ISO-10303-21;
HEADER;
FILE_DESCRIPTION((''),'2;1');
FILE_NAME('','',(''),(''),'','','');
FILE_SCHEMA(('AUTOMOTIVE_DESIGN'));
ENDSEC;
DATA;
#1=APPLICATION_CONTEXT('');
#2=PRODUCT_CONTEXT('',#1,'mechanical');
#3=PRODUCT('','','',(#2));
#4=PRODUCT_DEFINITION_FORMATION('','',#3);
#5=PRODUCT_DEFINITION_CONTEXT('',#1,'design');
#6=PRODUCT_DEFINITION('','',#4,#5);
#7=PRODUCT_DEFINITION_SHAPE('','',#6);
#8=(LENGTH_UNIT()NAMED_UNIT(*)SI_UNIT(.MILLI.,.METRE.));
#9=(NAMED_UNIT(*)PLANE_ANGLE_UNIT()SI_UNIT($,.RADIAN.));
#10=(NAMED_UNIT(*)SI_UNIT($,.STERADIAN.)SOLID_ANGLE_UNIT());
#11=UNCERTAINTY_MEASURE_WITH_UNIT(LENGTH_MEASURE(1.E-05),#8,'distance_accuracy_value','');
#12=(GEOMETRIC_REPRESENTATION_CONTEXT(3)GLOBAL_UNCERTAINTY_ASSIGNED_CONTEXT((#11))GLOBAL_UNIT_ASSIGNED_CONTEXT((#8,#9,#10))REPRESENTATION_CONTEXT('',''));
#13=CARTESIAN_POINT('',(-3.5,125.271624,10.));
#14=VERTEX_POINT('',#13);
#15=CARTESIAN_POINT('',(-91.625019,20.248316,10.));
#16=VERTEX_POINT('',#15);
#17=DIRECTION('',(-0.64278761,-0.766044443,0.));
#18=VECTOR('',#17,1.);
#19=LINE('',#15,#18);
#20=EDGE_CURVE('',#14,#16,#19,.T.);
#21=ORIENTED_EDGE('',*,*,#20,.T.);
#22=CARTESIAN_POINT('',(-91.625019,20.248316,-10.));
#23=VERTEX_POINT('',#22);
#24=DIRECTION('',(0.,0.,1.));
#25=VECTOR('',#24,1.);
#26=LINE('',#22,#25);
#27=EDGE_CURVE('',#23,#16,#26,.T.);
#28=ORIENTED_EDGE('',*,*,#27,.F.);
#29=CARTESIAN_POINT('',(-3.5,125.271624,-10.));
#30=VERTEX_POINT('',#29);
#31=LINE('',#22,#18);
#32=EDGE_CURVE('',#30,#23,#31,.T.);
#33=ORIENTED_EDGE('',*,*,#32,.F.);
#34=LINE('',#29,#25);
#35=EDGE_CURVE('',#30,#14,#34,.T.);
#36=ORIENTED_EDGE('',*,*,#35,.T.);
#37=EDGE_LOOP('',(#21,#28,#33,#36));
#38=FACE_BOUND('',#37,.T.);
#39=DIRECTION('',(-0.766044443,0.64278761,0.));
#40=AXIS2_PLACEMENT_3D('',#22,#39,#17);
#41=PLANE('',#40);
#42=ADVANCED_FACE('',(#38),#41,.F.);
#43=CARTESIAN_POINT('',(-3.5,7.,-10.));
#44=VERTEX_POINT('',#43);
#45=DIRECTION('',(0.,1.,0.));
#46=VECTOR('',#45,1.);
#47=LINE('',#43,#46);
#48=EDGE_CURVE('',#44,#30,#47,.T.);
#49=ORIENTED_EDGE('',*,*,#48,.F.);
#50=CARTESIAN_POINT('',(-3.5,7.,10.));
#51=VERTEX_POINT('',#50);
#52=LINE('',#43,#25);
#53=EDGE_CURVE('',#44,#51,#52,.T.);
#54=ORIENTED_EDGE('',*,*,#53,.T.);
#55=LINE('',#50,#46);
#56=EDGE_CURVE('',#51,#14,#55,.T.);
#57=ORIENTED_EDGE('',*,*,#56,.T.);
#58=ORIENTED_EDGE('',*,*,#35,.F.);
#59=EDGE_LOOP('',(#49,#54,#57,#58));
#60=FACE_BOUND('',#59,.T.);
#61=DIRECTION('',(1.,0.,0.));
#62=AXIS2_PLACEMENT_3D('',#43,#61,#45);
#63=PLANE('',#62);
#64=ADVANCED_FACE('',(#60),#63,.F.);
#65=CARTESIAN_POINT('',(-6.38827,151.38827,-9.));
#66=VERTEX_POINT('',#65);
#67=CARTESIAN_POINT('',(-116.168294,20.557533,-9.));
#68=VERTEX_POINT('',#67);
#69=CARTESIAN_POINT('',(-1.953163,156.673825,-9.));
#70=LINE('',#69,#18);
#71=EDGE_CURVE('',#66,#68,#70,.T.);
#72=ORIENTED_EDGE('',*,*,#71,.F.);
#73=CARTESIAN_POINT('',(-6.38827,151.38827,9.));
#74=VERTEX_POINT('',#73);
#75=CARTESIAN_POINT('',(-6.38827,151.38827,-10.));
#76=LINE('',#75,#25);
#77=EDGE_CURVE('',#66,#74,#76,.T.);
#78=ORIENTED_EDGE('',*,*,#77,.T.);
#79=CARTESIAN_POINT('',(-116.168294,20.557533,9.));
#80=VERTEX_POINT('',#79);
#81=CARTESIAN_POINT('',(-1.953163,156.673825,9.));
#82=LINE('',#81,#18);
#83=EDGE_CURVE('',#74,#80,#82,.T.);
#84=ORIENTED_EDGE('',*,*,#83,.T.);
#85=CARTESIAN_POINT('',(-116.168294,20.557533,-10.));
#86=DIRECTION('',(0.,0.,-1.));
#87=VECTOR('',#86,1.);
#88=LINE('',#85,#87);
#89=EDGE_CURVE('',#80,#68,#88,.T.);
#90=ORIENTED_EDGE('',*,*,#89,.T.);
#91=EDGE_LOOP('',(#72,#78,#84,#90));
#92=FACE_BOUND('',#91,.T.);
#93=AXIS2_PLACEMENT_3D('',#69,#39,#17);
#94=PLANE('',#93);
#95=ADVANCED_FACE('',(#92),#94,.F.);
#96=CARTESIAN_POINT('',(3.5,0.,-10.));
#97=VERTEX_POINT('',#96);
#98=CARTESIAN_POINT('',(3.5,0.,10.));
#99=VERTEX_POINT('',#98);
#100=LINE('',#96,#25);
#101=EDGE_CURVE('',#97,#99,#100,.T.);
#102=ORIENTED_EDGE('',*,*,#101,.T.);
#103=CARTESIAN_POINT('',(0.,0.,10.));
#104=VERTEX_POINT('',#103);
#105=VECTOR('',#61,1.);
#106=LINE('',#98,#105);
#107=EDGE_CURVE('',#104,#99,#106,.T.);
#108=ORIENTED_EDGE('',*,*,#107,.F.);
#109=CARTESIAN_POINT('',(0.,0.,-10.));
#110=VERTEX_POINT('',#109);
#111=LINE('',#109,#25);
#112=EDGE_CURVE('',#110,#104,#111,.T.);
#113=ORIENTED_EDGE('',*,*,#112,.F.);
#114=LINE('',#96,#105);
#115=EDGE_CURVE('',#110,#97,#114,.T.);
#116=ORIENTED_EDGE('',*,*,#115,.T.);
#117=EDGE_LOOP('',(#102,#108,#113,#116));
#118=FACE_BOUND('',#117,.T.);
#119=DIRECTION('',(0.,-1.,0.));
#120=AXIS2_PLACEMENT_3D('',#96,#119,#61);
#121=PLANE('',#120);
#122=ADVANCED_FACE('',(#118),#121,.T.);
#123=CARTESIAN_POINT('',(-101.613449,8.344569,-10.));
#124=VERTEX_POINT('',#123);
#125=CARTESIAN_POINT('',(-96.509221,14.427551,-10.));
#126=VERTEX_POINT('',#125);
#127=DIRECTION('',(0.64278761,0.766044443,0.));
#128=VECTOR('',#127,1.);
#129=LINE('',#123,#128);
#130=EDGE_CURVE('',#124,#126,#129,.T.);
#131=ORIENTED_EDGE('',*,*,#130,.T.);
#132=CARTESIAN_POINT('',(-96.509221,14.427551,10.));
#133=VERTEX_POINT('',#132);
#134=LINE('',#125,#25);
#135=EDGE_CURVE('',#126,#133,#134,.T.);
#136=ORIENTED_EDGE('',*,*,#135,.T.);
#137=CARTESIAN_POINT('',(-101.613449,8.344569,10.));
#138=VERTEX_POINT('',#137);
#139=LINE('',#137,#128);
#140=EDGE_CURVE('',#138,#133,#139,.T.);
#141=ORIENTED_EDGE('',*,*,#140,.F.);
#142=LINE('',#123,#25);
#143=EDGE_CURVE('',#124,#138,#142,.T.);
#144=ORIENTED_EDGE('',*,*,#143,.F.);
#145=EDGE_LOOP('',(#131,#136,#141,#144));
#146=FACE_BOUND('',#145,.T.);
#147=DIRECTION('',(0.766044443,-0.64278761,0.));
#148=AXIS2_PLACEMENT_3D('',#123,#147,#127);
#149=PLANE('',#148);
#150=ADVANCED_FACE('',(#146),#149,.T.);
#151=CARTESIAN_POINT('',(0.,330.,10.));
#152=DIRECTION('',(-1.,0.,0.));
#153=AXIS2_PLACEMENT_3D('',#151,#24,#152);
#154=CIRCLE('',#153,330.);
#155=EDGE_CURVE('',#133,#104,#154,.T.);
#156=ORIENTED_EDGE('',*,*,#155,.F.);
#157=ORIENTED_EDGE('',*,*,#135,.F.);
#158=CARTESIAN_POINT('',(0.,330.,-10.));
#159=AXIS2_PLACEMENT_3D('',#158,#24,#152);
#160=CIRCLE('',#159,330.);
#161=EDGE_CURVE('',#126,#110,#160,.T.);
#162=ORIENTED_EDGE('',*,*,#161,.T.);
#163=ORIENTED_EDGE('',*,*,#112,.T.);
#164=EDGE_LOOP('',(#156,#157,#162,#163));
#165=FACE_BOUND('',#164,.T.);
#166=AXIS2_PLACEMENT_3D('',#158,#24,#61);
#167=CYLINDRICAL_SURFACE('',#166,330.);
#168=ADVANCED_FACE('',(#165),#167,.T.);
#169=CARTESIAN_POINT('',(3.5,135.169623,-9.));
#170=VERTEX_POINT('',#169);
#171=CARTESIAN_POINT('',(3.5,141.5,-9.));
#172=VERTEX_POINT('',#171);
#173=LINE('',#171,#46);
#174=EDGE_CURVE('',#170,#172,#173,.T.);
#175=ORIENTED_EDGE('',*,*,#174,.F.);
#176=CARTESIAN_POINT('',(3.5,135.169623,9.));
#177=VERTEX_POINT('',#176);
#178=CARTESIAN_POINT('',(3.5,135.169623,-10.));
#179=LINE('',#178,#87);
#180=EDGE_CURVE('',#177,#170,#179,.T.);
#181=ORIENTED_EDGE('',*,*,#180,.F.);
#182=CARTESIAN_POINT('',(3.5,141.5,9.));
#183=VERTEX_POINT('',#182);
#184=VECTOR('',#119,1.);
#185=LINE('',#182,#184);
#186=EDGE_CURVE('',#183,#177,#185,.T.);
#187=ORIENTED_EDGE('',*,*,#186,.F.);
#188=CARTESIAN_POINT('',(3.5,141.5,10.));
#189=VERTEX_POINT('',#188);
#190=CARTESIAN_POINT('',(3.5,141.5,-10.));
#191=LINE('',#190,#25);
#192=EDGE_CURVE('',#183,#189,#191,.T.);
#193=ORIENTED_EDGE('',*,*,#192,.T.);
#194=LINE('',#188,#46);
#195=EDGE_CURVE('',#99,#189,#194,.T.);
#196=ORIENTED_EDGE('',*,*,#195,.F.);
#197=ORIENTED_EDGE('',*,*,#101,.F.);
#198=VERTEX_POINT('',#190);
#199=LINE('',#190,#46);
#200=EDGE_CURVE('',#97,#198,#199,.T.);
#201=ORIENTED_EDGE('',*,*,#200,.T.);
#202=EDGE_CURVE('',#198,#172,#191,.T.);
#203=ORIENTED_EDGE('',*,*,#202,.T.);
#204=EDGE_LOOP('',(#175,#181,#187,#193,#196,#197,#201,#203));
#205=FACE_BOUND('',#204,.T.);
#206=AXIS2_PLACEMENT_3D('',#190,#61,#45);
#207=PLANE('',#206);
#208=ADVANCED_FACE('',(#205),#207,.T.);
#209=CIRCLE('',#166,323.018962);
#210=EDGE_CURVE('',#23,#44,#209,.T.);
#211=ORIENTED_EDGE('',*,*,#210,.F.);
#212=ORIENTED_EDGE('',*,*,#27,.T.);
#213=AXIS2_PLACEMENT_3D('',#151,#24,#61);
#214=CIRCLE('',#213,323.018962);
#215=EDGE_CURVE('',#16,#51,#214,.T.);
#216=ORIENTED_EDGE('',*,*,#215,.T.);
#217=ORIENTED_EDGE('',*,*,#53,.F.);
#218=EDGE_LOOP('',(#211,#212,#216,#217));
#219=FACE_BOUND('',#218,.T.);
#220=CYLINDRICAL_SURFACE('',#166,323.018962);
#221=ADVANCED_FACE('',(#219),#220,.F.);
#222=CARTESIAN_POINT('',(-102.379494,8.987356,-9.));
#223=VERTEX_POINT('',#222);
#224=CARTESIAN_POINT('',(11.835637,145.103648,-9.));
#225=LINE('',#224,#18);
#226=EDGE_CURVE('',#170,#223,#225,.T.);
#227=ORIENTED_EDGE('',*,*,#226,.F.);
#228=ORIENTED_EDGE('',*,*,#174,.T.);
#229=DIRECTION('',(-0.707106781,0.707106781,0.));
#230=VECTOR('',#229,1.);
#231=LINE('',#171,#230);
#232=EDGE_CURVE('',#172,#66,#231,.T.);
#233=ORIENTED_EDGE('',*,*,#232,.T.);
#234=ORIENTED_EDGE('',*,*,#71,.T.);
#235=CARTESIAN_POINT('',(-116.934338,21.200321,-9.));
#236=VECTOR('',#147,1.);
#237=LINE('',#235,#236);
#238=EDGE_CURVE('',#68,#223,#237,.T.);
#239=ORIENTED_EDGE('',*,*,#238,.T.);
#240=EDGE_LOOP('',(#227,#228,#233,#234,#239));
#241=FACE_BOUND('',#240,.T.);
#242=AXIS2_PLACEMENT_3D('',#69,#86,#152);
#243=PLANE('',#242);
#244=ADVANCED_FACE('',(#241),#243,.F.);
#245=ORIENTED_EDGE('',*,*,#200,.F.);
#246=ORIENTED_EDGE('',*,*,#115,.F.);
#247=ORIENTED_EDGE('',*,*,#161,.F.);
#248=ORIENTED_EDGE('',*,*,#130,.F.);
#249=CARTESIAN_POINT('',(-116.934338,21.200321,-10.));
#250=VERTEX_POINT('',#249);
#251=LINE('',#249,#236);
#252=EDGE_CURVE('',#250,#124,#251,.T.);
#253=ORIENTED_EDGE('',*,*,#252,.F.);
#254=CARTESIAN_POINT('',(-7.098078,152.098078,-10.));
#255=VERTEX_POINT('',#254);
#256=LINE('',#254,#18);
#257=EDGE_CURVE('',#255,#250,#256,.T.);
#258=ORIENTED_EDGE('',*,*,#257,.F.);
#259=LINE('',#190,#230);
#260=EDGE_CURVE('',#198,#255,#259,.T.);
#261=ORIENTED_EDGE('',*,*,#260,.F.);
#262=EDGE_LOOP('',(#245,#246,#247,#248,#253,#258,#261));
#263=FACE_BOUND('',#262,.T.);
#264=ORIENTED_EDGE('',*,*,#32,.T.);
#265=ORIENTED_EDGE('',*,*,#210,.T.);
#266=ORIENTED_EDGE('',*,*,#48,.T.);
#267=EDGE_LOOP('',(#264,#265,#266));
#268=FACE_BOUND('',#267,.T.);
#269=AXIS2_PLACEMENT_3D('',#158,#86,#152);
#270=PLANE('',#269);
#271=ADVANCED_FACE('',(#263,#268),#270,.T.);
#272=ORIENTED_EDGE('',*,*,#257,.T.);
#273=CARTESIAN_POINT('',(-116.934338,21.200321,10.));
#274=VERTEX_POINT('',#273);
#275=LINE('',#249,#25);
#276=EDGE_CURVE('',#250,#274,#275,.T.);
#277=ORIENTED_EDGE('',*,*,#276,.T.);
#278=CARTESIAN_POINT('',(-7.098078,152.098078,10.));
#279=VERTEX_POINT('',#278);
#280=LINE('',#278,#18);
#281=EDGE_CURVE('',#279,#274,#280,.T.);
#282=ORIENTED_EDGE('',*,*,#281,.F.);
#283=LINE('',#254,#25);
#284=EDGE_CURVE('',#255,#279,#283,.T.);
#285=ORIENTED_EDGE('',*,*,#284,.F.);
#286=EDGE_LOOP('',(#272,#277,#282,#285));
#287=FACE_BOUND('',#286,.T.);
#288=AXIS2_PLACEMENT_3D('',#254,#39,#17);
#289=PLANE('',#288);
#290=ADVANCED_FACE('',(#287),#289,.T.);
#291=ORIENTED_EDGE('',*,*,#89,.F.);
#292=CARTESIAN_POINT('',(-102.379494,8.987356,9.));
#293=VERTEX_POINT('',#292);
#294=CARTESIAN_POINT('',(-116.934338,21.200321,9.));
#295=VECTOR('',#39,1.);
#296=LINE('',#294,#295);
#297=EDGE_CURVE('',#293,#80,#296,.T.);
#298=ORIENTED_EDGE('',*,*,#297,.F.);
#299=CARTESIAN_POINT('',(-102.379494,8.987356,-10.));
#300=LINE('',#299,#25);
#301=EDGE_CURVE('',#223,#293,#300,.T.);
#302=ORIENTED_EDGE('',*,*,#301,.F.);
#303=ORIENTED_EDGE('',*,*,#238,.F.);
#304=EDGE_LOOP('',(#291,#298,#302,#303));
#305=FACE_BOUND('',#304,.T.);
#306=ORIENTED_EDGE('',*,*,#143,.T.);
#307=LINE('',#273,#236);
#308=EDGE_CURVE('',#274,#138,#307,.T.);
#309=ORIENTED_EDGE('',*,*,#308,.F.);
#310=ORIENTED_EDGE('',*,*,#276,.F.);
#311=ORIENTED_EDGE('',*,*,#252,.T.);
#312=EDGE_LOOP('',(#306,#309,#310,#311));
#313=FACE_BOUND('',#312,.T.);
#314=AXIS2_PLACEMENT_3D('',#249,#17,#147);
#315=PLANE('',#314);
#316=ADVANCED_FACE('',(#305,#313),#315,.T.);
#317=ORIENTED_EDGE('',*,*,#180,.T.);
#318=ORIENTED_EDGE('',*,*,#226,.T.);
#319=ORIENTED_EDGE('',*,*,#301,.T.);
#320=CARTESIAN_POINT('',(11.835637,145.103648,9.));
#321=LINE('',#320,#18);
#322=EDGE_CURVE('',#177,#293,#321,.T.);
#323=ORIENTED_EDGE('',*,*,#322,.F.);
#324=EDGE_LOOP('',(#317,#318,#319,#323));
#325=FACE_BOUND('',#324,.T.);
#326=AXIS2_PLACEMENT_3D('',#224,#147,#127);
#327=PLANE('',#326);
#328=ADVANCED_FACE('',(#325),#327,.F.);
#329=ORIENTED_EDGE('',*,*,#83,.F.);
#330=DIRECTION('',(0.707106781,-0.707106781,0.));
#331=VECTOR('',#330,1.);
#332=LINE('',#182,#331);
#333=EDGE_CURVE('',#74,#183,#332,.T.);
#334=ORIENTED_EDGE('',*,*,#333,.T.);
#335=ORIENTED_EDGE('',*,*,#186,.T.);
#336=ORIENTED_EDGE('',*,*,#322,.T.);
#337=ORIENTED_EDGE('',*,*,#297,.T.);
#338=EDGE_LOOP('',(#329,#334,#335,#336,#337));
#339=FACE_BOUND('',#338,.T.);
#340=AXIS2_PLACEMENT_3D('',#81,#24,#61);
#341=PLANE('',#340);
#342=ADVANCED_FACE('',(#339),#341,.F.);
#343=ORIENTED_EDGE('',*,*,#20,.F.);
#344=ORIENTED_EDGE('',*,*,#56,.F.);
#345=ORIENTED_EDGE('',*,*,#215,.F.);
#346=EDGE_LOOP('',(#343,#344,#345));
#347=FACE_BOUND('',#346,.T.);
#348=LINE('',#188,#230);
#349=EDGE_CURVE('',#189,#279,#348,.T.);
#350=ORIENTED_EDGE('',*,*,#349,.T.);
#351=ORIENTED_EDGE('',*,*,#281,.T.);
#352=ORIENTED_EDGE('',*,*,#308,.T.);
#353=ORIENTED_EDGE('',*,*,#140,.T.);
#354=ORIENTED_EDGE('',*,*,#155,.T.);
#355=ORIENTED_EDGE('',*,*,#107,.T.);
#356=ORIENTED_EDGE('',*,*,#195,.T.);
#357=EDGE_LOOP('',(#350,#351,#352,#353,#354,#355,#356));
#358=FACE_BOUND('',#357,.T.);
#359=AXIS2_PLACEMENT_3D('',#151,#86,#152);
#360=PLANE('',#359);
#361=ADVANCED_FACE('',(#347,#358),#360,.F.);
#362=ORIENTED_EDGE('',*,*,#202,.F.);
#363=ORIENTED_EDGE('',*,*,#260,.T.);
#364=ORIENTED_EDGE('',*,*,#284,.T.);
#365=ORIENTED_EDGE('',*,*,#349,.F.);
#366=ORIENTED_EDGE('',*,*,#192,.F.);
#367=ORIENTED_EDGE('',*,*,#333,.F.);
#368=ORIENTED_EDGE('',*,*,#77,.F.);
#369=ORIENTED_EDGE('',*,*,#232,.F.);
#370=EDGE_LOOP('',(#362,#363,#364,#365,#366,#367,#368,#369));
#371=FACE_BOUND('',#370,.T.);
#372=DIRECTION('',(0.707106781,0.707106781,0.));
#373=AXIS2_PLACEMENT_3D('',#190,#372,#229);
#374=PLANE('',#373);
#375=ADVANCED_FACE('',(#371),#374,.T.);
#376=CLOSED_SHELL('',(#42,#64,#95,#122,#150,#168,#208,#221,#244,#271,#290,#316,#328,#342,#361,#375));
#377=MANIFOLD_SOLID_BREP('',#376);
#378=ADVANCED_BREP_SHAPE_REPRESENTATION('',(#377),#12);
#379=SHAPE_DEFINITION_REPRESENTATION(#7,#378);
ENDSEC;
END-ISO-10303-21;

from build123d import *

# Parameters (mm, degrees)
BOSS_EXTRUDE1_DEPTH      = 10
BOSS_EXTRUDE1_DEPTH_BACK = 10
CUT_EXTRUDE1_DEPTH       = 213.726165923
CUT_EXTRUDE1_DEPTH_BACK  = 213.726165923
SKETCH2_W                = 18
SKETCH2_H                = 18


with BuildPart() as part:
    # Sketch1 → Boss-Extrude1 (new, two sides: drawn at the far end of the back side and taken through both)
    with BuildSketch(Plane.XY.offset(-BOSS_EXTRUDE1_DEPTH_BACK)):
        with BuildLine():
            Line((-7.098078142, 152.098078142), (-116.934338078, 21.200320767))
            Line((-116.934338078, 21.200320767), (-101.613449216, 8.344568573))
            Line((-101.613449216, 8.344568573), (-96.5092206, 14.427551362))
            ThreePointArc((-96.5092206, 14.427551362), (-48.790839046, 3.626817852), (0, 0))
            Line((0, 0), (3.5, 0))
            Line((3.5, 0), (3.5, 141.5))
            Line((3.5, 141.5), (-7.098078142, 152.098078142))
        make_face()
        with BuildLine():
            Line((-3.5, 7), (-3.5, 125.271624157))
            Line((-3.5, 125.271624157), (-91.625019277, 20.248315836))
            ThreePointArc((-91.625019277, 20.248315836), (-48.02157631, 10.570542672), (-3.5, 7))
        make_face(mode=Mode.SUBTRACT)
    extrude(amount=BOSS_EXTRUDE1_DEPTH + BOSS_EXTRUDE1_DEPTH_BACK)

    # Sketch2 → Cut-Extrude1 (cut, two sides: drawn at the far end of the back side and taken through both)
    with BuildSketch(Plane(origin=(-37.875331553, -45.138062449, 0), x_dir=(-0.7660444431189823, 0.6427876096865343, 0), z_dir=(-0.6427876096865343, -0.7660444431189825, 0)).offset(-CUT_EXTRUDE1_DEPTH_BACK)):
        with Locations((93.204203405, 0)):
            Rectangle(SKETCH2_W, SKETCH2_H)
    extrude(amount=CUT_EXTRUDE1_DEPTH + CUT_EXTRUDE1_DEPTH_BACK, mode=Mode.SUBTRACT)


solid = part.part
